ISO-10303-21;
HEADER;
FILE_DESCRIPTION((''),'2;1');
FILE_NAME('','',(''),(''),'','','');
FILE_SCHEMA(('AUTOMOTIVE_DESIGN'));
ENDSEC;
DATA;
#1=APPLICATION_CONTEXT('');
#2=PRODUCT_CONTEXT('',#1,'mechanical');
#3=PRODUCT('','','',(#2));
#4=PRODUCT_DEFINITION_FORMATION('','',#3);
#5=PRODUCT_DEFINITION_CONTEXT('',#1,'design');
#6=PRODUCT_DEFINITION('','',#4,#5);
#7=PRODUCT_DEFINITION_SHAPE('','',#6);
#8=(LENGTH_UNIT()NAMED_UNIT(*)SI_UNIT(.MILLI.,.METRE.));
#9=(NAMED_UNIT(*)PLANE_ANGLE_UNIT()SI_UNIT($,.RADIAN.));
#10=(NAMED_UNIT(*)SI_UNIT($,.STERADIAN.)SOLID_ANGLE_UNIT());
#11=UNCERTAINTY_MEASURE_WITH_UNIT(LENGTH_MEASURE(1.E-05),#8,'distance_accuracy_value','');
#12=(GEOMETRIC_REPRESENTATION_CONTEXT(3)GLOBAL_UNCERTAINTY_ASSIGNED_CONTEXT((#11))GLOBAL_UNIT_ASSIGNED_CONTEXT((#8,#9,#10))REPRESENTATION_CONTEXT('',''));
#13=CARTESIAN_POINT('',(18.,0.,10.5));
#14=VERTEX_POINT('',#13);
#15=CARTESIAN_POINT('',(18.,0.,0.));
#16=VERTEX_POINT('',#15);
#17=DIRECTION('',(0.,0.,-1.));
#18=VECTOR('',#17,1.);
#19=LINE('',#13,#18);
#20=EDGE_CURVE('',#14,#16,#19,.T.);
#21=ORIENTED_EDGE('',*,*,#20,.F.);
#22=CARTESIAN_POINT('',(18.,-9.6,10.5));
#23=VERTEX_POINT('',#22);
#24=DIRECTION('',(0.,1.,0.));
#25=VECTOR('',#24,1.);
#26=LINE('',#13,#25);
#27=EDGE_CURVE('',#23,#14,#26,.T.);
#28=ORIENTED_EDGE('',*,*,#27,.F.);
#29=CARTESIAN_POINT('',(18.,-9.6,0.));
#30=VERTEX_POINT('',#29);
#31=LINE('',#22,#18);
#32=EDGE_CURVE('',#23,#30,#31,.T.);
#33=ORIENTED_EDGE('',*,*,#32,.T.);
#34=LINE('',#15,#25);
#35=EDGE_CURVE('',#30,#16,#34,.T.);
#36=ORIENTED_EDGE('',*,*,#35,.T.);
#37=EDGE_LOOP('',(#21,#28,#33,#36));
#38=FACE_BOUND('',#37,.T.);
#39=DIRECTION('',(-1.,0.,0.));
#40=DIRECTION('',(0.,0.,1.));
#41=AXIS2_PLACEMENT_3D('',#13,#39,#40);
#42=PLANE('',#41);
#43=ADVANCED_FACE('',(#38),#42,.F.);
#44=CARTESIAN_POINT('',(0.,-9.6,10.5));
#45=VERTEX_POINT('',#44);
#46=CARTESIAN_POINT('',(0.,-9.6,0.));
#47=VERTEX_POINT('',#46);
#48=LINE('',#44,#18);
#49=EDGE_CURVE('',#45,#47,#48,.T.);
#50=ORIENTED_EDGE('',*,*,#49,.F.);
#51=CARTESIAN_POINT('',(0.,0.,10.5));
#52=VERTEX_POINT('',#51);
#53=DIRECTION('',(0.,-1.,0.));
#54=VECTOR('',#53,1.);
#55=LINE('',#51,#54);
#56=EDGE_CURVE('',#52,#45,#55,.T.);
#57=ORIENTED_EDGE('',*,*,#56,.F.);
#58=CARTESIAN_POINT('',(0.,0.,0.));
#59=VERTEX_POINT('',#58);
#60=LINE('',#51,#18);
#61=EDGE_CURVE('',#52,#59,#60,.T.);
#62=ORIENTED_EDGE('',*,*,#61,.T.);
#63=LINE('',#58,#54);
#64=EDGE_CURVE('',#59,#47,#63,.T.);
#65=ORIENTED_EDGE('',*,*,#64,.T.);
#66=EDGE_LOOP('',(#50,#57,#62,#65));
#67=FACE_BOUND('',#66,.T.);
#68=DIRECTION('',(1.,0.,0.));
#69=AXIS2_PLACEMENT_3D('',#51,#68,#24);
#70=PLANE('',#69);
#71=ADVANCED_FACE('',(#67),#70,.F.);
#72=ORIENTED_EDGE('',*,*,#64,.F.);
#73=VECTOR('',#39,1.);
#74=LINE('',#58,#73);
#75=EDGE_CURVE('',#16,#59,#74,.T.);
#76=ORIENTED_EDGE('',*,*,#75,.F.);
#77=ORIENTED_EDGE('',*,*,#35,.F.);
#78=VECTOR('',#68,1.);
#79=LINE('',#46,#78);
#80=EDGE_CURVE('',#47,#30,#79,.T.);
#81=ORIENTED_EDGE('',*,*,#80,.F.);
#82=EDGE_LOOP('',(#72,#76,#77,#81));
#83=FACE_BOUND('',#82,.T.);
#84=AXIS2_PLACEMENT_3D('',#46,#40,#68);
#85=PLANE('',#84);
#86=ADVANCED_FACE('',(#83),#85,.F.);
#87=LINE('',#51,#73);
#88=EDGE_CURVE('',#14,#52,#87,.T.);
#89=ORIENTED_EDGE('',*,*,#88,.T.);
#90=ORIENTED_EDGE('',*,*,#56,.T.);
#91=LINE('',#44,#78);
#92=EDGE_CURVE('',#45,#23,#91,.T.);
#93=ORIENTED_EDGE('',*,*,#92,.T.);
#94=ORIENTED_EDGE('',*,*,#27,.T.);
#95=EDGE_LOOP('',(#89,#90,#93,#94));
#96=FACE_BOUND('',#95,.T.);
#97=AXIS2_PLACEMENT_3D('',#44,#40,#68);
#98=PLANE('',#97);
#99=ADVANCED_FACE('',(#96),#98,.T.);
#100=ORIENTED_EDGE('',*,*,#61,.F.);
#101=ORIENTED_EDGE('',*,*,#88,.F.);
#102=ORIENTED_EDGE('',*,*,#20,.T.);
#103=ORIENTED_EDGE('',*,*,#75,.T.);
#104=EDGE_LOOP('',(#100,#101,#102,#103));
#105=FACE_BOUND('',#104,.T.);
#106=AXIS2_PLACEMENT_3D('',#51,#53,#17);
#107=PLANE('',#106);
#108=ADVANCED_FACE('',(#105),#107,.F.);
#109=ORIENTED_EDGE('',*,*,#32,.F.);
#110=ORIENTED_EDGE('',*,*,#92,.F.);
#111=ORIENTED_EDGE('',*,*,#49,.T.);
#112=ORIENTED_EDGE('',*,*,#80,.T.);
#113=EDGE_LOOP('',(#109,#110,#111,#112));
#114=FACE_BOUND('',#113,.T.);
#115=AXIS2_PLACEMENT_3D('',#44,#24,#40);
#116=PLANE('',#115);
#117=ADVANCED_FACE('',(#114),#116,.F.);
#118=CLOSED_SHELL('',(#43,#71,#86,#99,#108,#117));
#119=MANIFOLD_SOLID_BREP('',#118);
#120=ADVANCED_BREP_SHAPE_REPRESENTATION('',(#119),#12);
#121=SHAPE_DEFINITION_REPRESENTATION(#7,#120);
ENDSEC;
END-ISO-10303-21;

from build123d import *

# Parameters (mm, degrees)
SKETCH1_W      = 18
SKETCH1_H      = 9.6
EXTRUDE1_DEPTH = 10.5


with BuildPart() as part:
    # Sketch1 → Extrude1 (new body)
    with BuildSketch(Plane.XY):
        with Locations((9, -4.8)):
            Rectangle(SKETCH1_W, SKETCH1_H)
    extrude(amount=EXTRUDE1_DEPTH)


solid = part.part
